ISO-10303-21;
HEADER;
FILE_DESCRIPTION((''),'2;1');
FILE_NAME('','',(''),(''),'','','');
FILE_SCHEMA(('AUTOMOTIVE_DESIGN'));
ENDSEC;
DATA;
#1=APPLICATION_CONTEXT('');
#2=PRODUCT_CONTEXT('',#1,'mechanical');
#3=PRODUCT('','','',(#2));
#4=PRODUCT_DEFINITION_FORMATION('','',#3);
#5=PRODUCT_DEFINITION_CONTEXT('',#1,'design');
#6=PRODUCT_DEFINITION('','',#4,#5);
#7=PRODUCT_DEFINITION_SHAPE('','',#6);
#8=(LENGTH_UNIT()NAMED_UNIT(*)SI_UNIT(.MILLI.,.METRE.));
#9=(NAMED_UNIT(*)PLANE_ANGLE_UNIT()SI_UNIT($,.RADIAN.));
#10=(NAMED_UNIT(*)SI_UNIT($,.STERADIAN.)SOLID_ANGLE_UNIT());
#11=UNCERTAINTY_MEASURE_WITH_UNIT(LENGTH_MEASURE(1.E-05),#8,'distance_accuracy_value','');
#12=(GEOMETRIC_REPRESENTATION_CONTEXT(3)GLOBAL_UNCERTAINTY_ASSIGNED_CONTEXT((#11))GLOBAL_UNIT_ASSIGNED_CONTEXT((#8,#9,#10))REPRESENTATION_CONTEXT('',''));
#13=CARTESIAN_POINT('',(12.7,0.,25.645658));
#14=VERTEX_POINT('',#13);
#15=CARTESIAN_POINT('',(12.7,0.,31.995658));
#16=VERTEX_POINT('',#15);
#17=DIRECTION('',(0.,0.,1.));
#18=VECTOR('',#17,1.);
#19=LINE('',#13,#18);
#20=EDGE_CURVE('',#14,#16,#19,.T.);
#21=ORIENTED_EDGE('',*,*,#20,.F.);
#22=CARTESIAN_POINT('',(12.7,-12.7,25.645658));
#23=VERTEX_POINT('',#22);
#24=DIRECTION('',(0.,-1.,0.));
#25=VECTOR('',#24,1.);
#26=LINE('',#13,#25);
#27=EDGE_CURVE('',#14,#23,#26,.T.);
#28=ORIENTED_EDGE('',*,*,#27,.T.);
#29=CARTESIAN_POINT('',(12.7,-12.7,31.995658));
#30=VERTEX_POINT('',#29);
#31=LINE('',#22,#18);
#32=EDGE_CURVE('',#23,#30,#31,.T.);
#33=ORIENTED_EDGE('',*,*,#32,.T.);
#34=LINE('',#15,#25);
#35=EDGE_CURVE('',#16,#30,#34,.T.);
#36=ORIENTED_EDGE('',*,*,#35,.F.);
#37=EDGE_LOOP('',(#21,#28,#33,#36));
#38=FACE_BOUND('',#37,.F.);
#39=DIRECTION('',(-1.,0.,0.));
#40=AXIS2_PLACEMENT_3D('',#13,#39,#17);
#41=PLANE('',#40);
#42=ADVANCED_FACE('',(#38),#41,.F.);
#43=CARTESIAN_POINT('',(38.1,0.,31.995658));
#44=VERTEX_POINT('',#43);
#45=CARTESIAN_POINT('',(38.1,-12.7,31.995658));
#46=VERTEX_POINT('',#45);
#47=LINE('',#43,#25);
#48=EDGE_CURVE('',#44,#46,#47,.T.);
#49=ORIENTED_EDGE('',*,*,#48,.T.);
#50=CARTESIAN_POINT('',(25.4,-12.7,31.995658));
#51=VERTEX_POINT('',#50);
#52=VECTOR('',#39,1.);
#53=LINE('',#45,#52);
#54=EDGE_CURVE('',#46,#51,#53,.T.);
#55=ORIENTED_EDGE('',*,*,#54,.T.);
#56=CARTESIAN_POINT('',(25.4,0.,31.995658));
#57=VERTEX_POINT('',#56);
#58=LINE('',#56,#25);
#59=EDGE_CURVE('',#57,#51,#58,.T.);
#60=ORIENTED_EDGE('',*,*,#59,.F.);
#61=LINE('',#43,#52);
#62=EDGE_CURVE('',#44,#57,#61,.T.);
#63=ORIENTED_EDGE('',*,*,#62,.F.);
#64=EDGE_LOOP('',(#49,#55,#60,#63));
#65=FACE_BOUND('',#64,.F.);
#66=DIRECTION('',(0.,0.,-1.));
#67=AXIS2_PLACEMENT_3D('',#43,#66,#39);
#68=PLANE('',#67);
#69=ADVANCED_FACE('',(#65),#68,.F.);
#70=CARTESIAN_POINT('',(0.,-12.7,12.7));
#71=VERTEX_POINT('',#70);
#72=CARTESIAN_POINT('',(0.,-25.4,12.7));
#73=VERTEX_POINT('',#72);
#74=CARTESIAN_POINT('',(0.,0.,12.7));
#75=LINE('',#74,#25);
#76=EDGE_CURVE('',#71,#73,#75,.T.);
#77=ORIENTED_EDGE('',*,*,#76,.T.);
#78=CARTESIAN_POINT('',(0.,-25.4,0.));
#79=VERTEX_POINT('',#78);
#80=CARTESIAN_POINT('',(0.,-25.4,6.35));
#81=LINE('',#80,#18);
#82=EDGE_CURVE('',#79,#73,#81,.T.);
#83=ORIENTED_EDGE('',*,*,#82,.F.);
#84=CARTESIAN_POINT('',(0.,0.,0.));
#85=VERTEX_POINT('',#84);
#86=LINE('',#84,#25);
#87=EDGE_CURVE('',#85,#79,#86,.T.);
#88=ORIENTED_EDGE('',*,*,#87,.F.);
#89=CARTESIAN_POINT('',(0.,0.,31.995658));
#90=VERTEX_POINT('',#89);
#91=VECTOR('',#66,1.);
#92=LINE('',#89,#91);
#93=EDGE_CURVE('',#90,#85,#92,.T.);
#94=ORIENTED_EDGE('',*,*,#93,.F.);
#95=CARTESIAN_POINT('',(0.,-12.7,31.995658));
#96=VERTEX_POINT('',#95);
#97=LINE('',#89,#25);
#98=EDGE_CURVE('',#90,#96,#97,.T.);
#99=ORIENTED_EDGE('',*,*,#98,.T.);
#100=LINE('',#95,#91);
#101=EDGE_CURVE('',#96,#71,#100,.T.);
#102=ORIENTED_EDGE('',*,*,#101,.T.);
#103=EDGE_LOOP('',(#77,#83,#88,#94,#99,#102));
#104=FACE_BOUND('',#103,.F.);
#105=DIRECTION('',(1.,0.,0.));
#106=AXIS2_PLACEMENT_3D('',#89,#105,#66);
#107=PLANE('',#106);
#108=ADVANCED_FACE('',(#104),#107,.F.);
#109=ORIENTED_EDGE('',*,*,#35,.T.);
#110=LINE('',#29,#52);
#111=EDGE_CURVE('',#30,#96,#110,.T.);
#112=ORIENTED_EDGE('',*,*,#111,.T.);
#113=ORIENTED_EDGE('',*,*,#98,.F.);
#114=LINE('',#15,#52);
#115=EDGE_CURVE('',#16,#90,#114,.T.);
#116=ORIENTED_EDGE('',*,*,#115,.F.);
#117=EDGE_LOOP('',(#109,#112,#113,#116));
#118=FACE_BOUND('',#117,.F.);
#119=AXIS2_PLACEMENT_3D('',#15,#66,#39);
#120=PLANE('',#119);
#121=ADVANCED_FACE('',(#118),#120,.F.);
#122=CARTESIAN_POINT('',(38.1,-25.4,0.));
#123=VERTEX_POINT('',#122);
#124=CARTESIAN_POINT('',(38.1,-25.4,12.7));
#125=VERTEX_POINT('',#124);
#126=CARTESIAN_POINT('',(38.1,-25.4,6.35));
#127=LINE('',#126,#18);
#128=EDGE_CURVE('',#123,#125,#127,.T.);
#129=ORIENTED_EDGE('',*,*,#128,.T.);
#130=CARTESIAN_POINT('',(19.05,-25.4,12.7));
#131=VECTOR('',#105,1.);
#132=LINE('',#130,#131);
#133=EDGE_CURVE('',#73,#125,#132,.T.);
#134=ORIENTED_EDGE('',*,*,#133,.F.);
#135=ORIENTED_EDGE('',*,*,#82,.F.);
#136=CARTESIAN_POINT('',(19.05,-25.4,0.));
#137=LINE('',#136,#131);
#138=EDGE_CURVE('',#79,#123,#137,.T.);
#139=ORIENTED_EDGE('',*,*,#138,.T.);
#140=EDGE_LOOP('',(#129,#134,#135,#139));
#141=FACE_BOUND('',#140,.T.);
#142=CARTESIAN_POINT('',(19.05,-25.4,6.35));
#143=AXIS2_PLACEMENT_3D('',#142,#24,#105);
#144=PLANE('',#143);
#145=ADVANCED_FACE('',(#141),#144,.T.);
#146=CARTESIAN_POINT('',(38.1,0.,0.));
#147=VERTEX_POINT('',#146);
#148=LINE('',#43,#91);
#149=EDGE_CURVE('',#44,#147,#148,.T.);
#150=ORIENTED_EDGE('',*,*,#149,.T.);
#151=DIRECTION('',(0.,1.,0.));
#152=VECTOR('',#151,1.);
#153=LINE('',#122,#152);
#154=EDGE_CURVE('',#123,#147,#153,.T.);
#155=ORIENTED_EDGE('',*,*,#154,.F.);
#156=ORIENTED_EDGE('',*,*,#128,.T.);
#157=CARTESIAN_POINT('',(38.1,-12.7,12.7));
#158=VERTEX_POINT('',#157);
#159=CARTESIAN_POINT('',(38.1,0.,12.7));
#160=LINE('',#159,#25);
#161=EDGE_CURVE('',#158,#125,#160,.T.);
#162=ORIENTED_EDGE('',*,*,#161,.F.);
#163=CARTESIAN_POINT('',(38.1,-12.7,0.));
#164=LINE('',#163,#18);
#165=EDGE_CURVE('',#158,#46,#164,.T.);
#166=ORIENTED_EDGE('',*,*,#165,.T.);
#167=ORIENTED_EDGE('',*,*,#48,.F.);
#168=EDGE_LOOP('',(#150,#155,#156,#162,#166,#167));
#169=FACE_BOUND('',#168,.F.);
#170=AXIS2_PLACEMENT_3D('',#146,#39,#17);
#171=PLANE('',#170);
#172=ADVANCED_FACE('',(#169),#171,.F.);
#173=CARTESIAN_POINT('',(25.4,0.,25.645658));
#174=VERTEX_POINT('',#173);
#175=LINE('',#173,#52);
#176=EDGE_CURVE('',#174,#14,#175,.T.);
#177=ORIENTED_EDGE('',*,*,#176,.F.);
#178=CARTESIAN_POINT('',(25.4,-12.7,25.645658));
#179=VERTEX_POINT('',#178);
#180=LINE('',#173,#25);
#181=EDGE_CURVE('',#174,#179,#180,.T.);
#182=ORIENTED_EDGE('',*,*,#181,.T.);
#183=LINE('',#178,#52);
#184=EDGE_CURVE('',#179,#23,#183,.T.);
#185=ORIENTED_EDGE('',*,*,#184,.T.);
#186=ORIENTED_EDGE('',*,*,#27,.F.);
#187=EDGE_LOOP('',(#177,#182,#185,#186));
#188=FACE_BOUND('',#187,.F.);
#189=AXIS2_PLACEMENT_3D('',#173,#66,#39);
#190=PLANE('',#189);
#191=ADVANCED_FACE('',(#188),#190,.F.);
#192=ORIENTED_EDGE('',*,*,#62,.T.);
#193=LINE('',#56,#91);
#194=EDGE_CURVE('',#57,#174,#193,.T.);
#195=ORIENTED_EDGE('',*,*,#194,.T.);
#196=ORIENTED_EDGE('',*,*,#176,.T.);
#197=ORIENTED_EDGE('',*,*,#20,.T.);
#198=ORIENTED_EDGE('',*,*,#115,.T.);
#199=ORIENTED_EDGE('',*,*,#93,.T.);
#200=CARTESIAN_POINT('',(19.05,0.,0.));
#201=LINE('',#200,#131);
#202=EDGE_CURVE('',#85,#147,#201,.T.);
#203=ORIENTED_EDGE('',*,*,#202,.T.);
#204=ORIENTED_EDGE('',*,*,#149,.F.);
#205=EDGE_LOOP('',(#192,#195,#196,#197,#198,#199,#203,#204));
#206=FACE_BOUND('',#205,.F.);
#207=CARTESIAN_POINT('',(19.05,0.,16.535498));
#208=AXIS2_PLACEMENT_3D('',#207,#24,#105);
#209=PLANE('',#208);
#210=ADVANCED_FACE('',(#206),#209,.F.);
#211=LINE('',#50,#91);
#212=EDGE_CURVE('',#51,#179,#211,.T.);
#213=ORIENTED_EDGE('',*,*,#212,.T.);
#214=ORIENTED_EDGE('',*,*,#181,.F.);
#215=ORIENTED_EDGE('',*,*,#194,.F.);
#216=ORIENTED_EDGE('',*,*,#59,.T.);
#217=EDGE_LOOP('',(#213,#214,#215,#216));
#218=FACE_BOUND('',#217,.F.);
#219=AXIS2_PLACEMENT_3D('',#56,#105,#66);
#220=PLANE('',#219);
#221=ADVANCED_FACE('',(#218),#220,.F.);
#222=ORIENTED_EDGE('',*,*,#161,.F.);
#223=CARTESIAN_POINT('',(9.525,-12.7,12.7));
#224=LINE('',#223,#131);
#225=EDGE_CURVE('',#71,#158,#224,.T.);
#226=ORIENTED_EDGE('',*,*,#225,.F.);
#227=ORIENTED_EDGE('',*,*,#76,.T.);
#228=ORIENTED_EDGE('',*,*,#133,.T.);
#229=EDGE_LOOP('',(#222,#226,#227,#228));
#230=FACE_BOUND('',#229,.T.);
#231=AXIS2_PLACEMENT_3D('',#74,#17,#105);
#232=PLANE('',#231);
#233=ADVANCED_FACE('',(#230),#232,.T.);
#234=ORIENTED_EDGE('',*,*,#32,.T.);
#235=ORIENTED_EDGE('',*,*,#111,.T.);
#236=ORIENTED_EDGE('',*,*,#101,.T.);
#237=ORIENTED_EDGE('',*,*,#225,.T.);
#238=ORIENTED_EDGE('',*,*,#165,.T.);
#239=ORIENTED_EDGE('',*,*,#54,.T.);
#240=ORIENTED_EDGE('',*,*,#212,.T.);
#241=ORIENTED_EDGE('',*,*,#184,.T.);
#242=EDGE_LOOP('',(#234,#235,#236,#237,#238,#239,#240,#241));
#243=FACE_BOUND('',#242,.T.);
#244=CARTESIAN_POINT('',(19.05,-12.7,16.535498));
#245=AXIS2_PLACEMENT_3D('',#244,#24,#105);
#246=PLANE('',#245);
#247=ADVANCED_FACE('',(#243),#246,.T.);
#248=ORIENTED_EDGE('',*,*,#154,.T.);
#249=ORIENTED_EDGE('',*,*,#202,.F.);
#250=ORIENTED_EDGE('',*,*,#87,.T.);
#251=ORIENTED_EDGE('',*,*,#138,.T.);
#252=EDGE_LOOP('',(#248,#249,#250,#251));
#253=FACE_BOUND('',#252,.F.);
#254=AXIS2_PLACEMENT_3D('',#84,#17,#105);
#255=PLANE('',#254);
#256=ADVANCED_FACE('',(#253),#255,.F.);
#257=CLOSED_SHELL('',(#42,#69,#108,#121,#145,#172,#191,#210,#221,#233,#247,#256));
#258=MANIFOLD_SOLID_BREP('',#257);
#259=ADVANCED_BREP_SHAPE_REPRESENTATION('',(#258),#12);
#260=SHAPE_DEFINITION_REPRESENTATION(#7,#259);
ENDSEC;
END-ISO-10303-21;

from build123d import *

# Parameters (mm, degrees)
F0_W     = 38.1
F0_H     = 12.7
F1_DEPTH = 25.4
F3_DEPTH = 12.7


with BuildPart() as f1:
    # F0 (on Front) → F1 (new body)
    with BuildSketch(Plane.XZ):
        with Locations((19.05, 6.35)):
            Rectangle(F0_W, F0_H)
    extrude(amount=F1_DEPTH)

    # F2 (on Front) → F3 (join)
    with BuildSketch(Plane.XZ):
        Polygon((0, 31.995658), (0, 12.945658), (0, 0), (38.1, 0), (38.1, 31.995658), (25.4, 31.995658), (25.4, 25.645658), (12.7, 25.645658), (12.7, 31.995658), align=None)
    extrude(amount=F3_DEPTH)


solid = f1.part
